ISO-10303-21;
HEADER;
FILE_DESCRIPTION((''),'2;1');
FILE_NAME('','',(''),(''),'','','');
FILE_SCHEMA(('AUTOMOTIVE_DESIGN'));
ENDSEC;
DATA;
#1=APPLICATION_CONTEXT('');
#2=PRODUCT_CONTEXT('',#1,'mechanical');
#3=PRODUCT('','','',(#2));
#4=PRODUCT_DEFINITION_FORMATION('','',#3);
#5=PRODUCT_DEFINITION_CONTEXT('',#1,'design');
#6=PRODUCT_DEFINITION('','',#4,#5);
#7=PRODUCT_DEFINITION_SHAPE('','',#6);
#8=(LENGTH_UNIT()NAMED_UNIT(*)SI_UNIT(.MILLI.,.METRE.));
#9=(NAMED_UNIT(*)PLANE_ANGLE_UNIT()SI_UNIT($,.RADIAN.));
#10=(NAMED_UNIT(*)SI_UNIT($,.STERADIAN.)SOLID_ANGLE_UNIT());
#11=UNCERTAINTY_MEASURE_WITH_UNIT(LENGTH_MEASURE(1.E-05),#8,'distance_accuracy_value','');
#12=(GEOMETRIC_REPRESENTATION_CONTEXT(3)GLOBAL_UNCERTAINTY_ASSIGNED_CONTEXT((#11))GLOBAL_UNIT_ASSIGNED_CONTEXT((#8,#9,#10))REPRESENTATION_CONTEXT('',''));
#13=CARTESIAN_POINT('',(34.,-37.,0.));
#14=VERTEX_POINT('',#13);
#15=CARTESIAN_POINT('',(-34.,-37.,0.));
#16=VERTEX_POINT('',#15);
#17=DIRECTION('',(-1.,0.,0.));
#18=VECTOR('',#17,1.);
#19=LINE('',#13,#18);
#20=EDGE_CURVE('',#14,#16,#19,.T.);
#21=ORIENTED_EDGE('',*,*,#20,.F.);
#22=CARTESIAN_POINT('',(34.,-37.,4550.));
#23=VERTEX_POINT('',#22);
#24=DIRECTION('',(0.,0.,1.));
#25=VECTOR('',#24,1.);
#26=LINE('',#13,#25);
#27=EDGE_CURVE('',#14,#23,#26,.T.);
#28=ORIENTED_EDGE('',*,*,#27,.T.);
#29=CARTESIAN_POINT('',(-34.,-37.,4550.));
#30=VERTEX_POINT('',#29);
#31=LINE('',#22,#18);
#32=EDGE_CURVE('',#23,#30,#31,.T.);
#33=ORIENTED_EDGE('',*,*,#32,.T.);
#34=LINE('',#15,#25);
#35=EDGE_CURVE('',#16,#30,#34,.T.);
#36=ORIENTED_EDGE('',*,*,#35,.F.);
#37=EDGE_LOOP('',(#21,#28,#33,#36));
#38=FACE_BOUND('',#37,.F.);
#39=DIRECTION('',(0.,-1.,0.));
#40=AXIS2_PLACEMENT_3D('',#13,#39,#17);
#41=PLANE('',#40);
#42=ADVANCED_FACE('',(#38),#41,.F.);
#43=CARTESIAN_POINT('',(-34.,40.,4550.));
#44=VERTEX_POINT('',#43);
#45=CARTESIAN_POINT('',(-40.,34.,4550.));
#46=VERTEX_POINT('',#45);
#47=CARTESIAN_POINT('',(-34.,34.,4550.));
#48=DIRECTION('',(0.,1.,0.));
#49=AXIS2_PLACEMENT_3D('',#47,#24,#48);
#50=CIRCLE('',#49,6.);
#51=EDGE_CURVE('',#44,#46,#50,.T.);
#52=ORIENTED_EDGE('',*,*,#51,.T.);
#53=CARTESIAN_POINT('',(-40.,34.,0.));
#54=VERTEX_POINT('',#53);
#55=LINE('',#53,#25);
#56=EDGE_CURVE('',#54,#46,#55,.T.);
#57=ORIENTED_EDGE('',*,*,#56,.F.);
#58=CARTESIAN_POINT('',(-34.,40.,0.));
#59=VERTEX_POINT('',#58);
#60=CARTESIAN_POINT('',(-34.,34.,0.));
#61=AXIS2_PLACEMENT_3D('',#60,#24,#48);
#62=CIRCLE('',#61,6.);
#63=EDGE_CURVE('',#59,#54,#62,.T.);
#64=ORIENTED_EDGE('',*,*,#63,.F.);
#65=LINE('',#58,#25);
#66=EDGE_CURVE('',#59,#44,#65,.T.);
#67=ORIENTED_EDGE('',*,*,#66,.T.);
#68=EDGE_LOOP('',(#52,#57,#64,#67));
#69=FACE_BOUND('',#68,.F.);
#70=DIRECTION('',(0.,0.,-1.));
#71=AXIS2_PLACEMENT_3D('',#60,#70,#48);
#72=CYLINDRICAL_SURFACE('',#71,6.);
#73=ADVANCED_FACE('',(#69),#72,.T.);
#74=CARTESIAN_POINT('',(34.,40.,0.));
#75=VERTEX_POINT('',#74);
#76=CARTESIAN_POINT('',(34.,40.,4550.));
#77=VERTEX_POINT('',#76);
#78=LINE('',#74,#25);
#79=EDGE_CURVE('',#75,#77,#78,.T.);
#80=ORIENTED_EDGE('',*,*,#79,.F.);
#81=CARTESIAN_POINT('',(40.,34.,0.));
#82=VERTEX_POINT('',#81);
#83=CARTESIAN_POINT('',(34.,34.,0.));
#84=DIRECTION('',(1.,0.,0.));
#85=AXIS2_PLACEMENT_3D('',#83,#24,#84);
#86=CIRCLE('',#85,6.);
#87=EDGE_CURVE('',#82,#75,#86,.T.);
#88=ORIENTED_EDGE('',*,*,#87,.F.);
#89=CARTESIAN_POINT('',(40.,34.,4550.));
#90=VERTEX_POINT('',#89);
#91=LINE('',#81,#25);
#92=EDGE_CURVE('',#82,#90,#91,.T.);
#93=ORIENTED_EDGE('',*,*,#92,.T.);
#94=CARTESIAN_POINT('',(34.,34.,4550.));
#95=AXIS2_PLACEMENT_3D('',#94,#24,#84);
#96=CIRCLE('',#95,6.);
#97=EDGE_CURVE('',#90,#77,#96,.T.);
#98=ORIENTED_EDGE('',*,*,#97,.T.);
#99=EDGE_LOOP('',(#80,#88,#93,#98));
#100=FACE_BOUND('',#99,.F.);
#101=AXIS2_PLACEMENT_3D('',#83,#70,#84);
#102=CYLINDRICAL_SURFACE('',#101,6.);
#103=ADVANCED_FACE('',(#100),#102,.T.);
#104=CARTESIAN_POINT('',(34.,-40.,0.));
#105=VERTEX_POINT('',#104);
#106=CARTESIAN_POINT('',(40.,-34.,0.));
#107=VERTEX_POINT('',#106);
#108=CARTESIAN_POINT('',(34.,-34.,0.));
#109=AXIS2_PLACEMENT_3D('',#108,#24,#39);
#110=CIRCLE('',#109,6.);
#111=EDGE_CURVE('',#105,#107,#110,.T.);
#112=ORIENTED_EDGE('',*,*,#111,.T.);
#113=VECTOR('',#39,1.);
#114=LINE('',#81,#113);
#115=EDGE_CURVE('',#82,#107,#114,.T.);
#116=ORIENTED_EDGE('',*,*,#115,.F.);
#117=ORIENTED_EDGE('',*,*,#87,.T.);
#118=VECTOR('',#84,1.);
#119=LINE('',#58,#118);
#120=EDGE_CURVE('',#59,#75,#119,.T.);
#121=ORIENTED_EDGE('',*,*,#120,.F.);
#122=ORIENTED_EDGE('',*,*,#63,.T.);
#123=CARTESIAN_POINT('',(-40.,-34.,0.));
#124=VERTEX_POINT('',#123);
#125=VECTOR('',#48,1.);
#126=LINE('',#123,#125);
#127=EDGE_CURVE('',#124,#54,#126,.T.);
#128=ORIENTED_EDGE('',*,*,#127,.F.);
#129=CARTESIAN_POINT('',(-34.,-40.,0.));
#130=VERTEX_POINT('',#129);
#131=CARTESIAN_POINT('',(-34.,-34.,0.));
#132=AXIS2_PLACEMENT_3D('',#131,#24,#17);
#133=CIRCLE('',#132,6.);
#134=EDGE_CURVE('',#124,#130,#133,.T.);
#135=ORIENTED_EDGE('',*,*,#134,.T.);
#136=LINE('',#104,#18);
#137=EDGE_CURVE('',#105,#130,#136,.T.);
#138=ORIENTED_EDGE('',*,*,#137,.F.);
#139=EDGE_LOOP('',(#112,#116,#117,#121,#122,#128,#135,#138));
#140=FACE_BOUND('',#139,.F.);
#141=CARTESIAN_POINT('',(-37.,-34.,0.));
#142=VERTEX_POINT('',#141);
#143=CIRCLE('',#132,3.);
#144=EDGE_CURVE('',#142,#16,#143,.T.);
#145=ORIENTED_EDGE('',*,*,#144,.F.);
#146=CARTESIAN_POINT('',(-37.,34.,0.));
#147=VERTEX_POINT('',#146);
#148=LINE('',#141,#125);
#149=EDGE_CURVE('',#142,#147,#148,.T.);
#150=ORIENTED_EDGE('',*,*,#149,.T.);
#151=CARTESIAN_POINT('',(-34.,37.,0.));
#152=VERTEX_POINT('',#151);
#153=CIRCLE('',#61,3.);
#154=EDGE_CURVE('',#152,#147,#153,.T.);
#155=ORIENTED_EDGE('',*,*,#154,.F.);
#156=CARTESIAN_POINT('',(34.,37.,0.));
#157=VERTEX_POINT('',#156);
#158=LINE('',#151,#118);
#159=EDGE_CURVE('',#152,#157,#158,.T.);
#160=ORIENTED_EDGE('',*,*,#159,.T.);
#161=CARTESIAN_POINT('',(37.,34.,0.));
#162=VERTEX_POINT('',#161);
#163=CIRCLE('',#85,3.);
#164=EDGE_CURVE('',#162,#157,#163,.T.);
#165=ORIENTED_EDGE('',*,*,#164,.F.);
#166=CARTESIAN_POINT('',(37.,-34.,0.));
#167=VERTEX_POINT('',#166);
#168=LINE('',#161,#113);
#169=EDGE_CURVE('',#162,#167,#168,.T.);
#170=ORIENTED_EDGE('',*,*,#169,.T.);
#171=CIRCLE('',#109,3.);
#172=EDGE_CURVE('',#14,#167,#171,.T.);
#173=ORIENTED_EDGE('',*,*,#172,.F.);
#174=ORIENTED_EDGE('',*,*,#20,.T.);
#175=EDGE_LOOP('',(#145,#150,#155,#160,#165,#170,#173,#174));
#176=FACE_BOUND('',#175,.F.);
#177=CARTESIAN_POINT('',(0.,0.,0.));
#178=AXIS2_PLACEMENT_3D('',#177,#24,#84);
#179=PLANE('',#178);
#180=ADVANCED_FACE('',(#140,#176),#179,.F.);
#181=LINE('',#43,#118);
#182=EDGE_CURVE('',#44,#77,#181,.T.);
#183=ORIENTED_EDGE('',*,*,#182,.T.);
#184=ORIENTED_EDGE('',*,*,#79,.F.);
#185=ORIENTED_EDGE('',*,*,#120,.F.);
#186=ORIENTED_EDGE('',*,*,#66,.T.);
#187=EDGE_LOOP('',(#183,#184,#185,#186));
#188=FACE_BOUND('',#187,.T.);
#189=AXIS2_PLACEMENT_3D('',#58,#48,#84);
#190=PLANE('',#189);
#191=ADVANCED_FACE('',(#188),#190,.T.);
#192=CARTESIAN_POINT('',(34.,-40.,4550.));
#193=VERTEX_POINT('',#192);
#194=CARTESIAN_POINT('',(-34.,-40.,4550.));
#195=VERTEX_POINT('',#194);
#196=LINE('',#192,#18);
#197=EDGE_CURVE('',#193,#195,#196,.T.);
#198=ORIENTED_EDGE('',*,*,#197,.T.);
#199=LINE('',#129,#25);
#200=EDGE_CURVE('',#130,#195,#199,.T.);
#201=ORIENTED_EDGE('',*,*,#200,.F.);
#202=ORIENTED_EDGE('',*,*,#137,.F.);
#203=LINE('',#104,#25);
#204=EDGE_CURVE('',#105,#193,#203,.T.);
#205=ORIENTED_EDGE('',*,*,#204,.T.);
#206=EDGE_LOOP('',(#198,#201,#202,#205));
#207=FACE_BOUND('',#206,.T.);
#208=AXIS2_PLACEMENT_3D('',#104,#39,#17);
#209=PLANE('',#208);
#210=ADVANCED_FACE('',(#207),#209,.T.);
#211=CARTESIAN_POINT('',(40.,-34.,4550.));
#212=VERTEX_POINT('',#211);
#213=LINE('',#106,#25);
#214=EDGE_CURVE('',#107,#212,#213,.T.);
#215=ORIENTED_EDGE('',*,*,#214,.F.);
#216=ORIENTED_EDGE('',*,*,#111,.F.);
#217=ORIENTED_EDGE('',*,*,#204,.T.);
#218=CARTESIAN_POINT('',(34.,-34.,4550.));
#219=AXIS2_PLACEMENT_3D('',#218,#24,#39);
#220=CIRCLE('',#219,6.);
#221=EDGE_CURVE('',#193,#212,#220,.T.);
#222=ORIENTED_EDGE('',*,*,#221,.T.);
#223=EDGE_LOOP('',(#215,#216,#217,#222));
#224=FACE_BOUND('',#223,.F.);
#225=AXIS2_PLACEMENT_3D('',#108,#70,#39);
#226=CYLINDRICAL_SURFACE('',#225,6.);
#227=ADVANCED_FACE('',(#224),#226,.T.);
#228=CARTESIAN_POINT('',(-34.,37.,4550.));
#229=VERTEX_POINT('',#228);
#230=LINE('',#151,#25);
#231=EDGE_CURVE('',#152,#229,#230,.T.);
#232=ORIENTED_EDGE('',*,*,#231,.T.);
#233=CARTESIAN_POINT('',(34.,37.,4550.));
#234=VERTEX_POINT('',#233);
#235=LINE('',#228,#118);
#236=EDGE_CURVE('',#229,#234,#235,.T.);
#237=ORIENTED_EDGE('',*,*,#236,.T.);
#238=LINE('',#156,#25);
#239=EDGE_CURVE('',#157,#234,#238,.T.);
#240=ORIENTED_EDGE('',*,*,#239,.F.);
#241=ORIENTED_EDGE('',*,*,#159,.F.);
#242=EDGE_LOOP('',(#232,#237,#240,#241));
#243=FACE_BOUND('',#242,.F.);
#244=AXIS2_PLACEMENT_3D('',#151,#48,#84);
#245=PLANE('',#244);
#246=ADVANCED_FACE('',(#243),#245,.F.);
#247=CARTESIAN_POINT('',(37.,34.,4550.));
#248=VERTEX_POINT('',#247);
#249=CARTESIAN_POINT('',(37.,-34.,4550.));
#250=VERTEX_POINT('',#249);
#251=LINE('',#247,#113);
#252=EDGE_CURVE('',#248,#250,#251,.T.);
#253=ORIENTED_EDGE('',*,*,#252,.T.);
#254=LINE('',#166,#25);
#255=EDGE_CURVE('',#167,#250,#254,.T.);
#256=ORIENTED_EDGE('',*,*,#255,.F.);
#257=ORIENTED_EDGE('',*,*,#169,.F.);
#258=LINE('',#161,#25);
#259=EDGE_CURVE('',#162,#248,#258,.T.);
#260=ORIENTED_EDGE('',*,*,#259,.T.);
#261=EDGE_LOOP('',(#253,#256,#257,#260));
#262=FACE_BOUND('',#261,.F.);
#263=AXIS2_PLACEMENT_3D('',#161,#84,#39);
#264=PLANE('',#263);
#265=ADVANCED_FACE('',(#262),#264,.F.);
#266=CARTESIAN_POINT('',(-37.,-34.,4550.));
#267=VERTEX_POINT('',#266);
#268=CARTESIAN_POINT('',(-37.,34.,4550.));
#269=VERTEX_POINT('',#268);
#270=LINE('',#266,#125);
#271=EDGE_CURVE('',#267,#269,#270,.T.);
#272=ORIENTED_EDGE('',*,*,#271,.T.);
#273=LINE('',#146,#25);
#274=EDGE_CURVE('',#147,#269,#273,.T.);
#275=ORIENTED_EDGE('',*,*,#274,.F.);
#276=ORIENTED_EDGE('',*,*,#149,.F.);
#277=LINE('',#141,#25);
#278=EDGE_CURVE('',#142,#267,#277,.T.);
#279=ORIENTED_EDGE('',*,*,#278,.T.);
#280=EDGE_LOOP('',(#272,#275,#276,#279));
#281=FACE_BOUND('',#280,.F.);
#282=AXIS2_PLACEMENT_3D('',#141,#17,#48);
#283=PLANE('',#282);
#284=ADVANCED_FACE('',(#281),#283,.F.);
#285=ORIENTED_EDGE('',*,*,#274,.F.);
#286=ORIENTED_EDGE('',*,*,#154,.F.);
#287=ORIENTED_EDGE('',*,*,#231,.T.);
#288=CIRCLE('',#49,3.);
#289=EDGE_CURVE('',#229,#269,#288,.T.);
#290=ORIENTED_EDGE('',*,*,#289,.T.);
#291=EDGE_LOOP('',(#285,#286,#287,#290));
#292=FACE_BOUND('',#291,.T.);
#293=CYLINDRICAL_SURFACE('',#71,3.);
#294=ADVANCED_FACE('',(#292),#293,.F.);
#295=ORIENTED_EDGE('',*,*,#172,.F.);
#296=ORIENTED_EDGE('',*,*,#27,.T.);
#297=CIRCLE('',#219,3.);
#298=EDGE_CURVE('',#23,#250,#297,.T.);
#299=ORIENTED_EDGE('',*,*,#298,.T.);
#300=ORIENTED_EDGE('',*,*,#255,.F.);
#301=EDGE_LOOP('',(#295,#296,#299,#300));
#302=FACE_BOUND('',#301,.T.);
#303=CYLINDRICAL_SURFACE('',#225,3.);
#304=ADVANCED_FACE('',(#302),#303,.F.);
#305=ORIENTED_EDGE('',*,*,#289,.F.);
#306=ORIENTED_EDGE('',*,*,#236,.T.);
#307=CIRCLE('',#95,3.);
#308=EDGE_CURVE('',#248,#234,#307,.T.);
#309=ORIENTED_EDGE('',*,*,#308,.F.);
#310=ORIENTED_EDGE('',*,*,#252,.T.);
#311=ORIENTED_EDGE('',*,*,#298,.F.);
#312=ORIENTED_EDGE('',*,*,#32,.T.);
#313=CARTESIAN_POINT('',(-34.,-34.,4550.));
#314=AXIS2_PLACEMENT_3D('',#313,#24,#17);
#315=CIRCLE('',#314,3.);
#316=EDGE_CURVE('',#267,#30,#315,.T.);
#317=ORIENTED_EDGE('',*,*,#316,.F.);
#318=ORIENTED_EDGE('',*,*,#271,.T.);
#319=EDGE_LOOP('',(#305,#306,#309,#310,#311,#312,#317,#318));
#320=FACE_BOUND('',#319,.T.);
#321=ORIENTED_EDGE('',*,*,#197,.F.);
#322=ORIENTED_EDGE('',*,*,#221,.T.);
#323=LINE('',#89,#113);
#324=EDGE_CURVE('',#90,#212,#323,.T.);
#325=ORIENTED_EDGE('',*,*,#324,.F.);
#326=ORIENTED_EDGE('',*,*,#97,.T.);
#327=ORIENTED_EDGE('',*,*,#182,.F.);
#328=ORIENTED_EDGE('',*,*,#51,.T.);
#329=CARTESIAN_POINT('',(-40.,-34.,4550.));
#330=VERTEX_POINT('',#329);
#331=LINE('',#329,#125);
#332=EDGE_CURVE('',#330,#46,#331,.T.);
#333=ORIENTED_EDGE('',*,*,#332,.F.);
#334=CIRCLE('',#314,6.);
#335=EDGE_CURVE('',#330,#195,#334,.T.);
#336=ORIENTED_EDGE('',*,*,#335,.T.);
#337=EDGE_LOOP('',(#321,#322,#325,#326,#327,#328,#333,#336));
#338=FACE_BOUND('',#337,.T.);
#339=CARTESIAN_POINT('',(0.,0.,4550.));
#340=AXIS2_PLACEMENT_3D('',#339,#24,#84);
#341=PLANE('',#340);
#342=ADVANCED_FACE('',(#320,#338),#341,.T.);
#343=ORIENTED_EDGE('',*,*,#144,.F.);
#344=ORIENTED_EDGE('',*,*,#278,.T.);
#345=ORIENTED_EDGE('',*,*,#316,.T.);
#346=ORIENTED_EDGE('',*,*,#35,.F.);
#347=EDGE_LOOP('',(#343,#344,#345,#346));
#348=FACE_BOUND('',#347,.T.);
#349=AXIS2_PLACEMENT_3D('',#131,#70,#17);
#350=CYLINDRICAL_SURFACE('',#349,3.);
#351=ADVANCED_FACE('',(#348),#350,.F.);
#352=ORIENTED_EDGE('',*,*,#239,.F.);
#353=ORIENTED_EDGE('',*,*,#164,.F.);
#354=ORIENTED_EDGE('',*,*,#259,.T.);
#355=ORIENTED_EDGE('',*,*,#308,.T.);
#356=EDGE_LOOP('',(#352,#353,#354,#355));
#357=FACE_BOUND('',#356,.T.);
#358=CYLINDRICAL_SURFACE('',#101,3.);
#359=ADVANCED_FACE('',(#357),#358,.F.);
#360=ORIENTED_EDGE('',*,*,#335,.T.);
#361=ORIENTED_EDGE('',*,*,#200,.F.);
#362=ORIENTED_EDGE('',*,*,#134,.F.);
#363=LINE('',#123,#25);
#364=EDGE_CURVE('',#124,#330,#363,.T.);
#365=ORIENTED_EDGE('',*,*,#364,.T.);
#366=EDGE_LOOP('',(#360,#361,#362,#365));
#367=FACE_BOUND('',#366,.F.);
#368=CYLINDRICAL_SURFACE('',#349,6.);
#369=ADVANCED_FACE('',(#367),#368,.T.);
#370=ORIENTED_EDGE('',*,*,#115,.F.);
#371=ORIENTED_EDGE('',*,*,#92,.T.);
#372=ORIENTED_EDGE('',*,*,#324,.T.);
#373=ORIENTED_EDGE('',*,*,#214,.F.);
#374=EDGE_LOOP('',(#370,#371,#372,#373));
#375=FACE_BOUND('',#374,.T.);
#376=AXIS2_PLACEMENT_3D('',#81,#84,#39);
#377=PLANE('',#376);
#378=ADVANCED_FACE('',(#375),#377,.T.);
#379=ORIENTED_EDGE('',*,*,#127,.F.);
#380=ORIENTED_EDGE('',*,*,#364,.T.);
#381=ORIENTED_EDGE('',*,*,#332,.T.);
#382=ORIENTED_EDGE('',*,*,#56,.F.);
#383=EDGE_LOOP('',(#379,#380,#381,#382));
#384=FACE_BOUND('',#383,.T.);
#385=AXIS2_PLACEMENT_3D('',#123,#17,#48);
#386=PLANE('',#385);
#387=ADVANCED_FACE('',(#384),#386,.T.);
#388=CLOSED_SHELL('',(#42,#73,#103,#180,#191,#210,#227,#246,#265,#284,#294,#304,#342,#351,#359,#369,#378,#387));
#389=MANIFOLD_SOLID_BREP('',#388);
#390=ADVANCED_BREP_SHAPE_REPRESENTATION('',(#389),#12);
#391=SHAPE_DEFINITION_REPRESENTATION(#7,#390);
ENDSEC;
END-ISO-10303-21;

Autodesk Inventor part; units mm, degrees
ref_plane "YZ Plane" through (0, 0, 0) normal (1, 0, 0) x (0, 1, 0)
ref_plane "Start Plane" through (0, 0, 0) normal (0, 0, 1) x (1, 0, 0)
ref_plane "End Plane" through (0, 0, 4550) normal (0, 0, 1) x (1, 0, 0)
sketch "Sketch" plane through (0, 0, 0) normal (0, 0, 1) x (1, 0, 0)
  line L0 (-40, -34) -> (-40, 34)
  line L1 (-34, 40) -> (34, 40)
  line L2 (40, 34) -> (40, -34)
  line L3 (34, -40) -> (-34, -40)
  arc A0 (-40, -34) -> (-34, -40) centre (-34, -34) ccw
  arc A1 (40, 34) -> (34, 40) centre (34, 34) ccw
  arc A2 (-34, 40) -> (-40, 34) centre (-34, 34) ccw
  arc A3 (34, -40) -> (40, -34) centre (34, -34) ccw
  arc A4 (-34, 37) -> (-37, 34) centre (-34, 34) ccw
  line L4 (-34, 37) -> (34, 37)
  arc A5 (37, 34) -> (34, 37) centre (34, 34) ccw
  line L5 (37, 34) -> (37, -34)
  arc A6 (34, -37) -> (37, -34) centre (34, -34) ccw
  line L6 (34, -37) -> (-34, -37)
  arc A7 (-37, -34) -> (-34, -37) centre (-34, -34) ccw
  line L7 (-37, -34) -> (-37, 34)
  line L8 (0, 57.7397) -> (0, -57.7397) construction
  line L9 (-57.7397, 0) -> (57.7397, 0) construction
  dimension "d7" = 6
  dimension "d9" = 80
  dimension "d11" = 80
  dimension "d12" = 3
  dimension "d15" = 40
  dimension "d16" = 40
extrude "Body" add sketch "Sketch" along normal up to surface (4550 mm away) from surface at 0
sketch "Sketch3" plane through (0, 0, 0) normal (0, 0, 1) x (1, 0, 0)
  line L0 (0, 0) -> (10, 0)
ref_plane "Work Plane3" through (0, 0, 0) normal (0, -1, 0) x (1, 0, 0)
sketch "Sketch4" plane through (0, 0, 0) normal (0, -1, 0) x (1, 0, 0)
  line L0 (-2, 0) -> (12, 0) projected
  line L1 (-2, 4550) -> (12, 4550) projected
  dimension "d18" = 4550
equation "\"d7\" = G_IR"
equation "\"d9\" = G_W"
equation "\"d11\" = G_H"
equation "\"d12\" = G_T"
equation "\"d15\" = 0.5 * d9"
equation "\"d16\" = 0.5 * d11"
equation "\"d3\" = G_L"
equation "\"G_W\" = 80"
equation "\"G_H\" = 80"
equation "\"G_T\" = 3"
equation "\"G_IR\" = 6"
equation "\"G_L\" = d18"
equation "\"G_OFFSET_START\" = 0"
equation "\"G_OFFSET_END\" = 0"
properties part number "ISO 10799-2 - 80x80x3 - 4550" material "Steel, Mild"
